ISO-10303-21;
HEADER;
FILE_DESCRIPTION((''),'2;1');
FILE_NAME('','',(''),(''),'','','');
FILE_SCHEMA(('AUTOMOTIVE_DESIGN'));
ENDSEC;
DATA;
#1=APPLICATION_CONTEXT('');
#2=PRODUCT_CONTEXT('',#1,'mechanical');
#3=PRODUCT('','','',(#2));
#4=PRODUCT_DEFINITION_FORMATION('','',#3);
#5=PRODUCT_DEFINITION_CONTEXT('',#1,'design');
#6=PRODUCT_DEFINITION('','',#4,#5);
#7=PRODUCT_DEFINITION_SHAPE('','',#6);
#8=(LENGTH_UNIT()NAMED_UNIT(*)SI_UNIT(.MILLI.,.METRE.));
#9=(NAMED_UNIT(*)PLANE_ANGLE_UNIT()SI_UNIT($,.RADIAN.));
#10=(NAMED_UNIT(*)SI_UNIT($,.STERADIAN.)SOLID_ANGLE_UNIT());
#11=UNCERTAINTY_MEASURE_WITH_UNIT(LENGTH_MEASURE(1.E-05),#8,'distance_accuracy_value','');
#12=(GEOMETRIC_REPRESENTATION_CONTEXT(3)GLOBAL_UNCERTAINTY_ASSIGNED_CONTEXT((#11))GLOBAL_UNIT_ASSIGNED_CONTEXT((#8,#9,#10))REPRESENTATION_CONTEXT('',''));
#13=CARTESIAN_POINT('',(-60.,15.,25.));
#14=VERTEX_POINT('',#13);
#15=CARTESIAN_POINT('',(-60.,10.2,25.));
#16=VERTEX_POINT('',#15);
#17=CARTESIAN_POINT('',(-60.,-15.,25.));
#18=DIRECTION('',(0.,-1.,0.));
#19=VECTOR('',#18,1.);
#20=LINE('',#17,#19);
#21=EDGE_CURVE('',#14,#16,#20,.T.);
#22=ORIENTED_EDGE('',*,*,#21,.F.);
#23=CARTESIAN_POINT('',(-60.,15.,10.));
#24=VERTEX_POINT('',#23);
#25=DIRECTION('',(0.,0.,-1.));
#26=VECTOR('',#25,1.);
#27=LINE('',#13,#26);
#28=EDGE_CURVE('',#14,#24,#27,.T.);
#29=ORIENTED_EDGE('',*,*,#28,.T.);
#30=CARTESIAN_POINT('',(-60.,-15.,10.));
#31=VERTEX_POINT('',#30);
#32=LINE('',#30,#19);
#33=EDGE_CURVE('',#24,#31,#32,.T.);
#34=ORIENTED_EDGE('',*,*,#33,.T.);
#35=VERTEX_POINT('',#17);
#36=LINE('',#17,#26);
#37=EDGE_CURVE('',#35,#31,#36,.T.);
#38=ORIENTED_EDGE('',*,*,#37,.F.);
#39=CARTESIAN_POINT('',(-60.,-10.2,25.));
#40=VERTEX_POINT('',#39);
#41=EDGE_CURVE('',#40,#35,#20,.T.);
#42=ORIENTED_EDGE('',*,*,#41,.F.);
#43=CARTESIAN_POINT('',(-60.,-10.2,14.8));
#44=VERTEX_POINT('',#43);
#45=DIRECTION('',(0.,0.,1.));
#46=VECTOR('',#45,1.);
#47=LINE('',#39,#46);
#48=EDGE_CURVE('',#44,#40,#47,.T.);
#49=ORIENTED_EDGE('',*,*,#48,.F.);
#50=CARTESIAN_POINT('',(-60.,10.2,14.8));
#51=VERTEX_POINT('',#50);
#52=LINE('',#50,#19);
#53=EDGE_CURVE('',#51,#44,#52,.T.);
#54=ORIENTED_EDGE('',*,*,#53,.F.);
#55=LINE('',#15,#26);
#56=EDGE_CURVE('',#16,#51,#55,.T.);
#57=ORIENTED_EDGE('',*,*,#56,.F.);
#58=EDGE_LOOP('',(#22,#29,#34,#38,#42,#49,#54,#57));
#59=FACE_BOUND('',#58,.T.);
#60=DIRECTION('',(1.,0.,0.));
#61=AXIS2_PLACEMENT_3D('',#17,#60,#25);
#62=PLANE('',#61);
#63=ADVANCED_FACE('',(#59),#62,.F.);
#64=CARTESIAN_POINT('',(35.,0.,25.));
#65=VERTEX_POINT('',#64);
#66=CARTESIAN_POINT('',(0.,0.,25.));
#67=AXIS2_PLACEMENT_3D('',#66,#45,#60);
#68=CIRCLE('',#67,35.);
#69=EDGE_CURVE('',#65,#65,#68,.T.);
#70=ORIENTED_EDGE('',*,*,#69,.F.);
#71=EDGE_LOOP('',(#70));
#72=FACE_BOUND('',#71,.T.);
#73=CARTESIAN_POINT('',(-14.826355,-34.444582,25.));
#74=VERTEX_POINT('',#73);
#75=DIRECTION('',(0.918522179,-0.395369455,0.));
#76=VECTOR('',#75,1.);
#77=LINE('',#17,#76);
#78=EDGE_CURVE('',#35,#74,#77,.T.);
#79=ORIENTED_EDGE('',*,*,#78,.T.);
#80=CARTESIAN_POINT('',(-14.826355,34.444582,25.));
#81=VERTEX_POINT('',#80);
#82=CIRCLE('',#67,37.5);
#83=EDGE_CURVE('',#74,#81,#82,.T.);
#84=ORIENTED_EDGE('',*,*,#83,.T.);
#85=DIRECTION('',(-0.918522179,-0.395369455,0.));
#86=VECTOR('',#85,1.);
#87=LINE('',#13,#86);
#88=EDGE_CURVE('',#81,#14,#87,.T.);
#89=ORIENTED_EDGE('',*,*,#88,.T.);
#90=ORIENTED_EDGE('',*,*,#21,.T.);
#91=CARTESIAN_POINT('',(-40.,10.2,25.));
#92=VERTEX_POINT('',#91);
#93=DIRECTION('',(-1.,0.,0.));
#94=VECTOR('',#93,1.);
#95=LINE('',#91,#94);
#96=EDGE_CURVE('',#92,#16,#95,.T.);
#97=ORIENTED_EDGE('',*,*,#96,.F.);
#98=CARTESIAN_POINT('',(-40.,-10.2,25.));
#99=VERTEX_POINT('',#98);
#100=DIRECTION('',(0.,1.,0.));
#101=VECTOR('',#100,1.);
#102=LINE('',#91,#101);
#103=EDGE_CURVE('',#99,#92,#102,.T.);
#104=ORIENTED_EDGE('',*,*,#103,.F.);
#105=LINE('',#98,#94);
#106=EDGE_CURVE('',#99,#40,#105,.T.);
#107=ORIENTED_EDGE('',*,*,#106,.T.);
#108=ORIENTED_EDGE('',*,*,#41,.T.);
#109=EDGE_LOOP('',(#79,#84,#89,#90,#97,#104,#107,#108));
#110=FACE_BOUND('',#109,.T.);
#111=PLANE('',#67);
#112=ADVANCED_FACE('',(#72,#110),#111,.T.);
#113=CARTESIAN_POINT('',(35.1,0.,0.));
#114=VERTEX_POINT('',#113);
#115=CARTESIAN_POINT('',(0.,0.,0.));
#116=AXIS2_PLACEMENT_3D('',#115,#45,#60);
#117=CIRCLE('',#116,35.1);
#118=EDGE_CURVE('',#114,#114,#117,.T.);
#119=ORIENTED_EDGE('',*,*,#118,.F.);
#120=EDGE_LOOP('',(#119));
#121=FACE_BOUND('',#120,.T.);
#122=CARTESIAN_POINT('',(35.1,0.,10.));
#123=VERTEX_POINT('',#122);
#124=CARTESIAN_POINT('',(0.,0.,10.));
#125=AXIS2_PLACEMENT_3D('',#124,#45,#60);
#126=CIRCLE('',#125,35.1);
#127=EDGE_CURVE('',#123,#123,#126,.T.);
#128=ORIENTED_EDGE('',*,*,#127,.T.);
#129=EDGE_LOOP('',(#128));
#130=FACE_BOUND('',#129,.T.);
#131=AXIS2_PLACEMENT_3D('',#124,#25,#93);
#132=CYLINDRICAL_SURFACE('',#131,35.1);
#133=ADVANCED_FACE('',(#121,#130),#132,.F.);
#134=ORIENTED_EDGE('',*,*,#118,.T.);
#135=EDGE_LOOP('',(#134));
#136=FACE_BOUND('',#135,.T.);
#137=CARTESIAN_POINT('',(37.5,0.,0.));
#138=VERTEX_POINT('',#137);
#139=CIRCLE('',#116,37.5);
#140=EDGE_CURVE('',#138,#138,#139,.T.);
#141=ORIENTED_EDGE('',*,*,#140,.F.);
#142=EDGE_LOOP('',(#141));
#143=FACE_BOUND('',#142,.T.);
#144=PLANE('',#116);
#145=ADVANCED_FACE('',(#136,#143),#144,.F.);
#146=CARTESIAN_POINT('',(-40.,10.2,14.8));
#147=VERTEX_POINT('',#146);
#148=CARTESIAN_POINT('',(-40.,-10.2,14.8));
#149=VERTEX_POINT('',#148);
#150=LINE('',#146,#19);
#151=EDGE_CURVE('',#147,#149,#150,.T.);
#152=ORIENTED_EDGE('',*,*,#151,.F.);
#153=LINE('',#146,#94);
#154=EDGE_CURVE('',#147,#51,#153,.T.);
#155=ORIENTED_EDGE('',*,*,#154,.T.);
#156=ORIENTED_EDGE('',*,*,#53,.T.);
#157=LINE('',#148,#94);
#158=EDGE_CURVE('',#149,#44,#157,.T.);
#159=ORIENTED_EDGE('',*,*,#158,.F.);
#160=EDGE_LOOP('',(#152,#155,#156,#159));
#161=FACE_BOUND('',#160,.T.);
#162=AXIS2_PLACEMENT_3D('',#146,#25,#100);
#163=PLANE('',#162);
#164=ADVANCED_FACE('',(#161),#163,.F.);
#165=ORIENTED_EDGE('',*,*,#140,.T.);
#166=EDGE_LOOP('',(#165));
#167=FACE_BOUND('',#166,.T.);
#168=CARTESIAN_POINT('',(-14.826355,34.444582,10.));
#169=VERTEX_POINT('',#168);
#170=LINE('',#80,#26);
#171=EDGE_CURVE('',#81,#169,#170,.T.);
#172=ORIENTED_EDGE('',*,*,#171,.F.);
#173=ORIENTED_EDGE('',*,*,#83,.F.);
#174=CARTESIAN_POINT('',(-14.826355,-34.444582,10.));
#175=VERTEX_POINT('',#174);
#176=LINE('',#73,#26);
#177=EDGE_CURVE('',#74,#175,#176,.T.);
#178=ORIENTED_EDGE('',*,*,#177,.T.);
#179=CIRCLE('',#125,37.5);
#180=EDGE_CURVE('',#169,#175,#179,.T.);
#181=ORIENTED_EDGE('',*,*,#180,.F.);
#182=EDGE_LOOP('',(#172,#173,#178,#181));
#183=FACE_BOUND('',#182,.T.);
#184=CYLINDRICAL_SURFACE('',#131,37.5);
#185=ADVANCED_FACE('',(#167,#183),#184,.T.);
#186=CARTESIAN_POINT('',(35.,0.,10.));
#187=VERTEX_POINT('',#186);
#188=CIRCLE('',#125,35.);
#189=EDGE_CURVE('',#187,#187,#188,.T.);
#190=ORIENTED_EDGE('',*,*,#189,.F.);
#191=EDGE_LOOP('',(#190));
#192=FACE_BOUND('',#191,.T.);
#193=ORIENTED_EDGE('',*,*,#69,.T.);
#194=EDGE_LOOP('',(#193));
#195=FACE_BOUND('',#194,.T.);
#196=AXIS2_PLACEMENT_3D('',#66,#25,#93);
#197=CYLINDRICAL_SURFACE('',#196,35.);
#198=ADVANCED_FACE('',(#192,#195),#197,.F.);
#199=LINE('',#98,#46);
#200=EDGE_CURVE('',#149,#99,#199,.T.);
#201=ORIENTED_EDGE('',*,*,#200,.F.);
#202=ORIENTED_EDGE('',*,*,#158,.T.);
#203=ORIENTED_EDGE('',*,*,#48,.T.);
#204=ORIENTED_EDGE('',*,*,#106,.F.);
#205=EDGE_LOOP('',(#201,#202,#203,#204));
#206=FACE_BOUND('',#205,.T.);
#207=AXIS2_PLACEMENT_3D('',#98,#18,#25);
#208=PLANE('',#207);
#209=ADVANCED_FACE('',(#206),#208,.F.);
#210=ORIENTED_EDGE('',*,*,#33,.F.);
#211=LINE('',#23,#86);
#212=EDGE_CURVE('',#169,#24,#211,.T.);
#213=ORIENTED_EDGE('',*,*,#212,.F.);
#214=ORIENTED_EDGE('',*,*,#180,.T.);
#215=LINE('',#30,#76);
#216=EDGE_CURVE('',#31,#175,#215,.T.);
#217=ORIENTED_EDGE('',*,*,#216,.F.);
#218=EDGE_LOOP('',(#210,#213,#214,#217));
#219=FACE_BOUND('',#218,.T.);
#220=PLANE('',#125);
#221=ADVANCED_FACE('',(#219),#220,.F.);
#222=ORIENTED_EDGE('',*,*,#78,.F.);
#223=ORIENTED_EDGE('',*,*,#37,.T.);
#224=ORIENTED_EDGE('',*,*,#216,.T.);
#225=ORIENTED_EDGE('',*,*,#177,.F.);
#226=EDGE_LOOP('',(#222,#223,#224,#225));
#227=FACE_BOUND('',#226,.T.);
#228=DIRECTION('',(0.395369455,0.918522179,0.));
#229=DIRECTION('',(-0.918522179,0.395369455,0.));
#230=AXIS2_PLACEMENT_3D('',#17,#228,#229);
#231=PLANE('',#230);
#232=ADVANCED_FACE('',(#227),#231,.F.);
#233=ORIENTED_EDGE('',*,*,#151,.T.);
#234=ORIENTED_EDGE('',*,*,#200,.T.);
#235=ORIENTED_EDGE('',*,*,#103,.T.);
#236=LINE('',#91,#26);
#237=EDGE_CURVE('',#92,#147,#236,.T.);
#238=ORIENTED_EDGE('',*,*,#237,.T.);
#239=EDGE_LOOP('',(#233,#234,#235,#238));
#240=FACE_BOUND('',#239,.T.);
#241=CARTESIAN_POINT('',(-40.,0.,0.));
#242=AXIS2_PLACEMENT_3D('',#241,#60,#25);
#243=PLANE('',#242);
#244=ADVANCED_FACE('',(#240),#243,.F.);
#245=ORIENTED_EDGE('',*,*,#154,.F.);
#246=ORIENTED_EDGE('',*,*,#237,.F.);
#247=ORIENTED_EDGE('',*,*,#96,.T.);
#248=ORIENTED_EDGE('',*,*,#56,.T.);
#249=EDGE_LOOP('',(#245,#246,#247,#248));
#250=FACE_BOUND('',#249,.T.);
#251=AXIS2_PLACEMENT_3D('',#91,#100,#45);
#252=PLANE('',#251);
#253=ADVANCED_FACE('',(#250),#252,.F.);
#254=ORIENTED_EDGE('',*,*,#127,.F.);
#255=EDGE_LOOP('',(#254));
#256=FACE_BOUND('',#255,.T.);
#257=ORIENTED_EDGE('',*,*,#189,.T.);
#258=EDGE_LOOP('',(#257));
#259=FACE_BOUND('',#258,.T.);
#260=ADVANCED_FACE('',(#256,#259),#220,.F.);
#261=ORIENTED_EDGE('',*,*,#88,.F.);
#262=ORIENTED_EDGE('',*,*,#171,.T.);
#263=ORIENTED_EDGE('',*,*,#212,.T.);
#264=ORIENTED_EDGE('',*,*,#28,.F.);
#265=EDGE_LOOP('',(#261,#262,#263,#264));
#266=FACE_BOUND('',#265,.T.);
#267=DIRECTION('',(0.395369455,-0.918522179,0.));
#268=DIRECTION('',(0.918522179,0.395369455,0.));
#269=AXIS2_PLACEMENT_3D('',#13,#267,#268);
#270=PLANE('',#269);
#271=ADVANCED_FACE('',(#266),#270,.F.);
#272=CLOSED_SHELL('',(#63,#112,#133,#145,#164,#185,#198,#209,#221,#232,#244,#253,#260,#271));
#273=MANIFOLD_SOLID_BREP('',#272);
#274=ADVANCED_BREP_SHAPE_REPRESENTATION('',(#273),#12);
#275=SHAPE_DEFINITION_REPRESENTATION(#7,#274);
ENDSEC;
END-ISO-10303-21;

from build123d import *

# Parameters (mm, degrees)
ESQUISSE1_R             = 37.5
ESQUISSE1_R_2           = 35.1
BOSS_EXTRU_1_DEPTH      = 10
ESQUISSE2_R             = 35
BOSS_EXTRU_2_DEPTH      = 15
ESQUISSE6_W             = 10.2
ESQUISSE6_H             = 20.4
ENL_V_MAT_EXTRU_1_DEPTH = 20


with BuildPart() as part:
    # Esquisse1 → Boss.-Extru.1 (new body)
    with BuildSketch(Plane.XY):
        Circle(ESQUISSE1_R)
        Circle(ESQUISSE1_R_2, mode=Mode.SUBTRACT)
    extrude(amount=BOSS_EXTRU_1_DEPTH)

    # Esquisse2 → Boss.-Extru.2 (add)
    with BuildSketch(Plane.XY.offset(10)):
        with BuildLine():
            Line((-60, -15), (-60, 15))
            Line((-60, 15), (-14.826354569, 34.444581725))
            ThreePointArc((-14.826354569, 34.444581725), (37.5, 0), (-14.826354569, -34.444581725))
            Line((-14.826354569, -34.444581725), (-60, -15))
        make_face()
        Circle(ESQUISSE2_R, mode=Mode.SUBTRACT)
    extrude(amount=BOSS_EXTRU_2_DEPTH)

    # Esquisse6 → Enlèv. mat.-Extru.1 (cut)
    with BuildSketch(Plane.ZY.offset(60)):
        with Locations((19.9, 0)):
            Rectangle(ESQUISSE6_W, ESQUISSE6_H)
    extrude(amount=-ENL_V_MAT_EXTRU_1_DEPTH, mode=Mode.SUBTRACT)


solid = part.part
